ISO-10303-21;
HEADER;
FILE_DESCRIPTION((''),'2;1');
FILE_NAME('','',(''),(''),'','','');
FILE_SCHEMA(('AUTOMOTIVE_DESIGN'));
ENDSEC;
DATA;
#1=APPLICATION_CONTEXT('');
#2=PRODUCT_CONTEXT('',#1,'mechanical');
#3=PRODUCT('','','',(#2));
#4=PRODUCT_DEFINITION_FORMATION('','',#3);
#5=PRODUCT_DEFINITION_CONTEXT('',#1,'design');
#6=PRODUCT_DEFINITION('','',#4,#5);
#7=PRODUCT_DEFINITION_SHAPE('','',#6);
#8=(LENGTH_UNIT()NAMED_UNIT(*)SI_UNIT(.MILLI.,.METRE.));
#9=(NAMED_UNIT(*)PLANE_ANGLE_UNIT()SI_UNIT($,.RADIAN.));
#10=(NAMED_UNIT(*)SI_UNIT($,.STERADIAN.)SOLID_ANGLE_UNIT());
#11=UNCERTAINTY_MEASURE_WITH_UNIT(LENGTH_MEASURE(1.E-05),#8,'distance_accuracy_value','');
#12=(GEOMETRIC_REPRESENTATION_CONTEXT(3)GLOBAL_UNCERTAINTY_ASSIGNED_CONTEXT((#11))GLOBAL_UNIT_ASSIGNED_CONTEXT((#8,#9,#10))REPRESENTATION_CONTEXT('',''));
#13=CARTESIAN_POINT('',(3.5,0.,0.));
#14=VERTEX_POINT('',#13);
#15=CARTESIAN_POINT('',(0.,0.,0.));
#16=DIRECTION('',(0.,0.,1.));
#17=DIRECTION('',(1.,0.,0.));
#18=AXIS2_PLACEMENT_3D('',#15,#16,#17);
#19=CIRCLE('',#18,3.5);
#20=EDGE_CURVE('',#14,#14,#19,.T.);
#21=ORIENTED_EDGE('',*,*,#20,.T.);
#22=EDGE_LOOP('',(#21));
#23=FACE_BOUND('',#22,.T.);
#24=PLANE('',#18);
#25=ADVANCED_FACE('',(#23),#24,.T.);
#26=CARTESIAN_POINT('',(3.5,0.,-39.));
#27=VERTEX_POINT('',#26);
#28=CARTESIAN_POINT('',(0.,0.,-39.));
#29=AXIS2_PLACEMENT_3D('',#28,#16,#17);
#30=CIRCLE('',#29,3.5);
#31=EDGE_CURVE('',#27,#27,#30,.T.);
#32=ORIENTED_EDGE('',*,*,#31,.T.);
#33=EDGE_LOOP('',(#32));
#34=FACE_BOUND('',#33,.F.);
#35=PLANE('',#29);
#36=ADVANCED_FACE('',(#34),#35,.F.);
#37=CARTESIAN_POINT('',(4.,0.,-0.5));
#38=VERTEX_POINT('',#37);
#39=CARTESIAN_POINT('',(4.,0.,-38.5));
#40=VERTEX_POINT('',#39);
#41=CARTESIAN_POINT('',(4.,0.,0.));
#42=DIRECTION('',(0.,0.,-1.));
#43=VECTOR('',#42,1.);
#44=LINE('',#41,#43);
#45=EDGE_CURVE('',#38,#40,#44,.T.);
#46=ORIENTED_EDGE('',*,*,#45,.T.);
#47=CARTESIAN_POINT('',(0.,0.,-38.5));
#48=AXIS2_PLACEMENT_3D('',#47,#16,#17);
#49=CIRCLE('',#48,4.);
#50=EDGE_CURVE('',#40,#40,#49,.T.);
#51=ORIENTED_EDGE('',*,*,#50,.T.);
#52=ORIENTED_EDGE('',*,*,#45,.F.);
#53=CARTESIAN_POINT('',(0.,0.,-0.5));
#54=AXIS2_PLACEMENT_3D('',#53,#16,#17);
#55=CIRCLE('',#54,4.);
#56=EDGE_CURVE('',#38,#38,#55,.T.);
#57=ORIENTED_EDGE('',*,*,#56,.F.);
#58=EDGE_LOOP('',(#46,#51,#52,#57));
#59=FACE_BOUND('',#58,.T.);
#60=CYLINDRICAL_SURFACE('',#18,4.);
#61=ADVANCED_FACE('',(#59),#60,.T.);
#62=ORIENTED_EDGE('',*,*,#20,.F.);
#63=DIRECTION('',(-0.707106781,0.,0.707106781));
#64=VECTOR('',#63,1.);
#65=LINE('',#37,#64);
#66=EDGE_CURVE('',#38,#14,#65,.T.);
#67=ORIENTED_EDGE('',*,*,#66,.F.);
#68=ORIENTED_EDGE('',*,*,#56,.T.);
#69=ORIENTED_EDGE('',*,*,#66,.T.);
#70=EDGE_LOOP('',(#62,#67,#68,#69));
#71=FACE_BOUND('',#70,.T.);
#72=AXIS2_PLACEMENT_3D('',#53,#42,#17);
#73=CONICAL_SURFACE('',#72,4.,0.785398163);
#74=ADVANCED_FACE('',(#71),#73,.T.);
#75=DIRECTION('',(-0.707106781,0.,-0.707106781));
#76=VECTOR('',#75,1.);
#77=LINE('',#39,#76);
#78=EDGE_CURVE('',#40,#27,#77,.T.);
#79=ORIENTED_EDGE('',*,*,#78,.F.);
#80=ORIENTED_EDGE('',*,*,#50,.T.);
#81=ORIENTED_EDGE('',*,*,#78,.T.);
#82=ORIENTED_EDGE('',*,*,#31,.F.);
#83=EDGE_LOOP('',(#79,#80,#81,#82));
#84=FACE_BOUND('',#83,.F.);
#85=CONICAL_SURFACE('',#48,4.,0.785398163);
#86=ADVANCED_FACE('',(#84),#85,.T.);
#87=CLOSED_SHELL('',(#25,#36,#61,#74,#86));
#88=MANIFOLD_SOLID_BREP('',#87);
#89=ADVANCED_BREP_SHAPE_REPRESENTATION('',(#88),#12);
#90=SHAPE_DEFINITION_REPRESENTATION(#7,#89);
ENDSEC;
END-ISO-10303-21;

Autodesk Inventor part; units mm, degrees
ref_plane "YZ Plane" through (0, 0, 0) normal (1, 0, 0) x (0, 1, 0)
ref_plane "XZ Plane" through (0, 0, 0) normal (0, 1, 0) x (-1, 0, 0)
ref_plane "XY Plane" through (0, 0, 0) normal (0, 0, 1) x (1, 0, 0)
sketch "Sketch1" plane through (0, 0, 0) normal (0, 0, 1) x (1, 0, 0)
  circle A0 centre (0, 0) radius 4
  dimension "d0" = 8
extrude "Extrusion1" add sketch "Sketch1" against normal blind 39
chamfer "Chamfer1" distance 0.5 angle 45 2 edges at (-4, 0, 0) (-4, 0, -39)
properties part number "AsBase" material "Stainless Steel"
